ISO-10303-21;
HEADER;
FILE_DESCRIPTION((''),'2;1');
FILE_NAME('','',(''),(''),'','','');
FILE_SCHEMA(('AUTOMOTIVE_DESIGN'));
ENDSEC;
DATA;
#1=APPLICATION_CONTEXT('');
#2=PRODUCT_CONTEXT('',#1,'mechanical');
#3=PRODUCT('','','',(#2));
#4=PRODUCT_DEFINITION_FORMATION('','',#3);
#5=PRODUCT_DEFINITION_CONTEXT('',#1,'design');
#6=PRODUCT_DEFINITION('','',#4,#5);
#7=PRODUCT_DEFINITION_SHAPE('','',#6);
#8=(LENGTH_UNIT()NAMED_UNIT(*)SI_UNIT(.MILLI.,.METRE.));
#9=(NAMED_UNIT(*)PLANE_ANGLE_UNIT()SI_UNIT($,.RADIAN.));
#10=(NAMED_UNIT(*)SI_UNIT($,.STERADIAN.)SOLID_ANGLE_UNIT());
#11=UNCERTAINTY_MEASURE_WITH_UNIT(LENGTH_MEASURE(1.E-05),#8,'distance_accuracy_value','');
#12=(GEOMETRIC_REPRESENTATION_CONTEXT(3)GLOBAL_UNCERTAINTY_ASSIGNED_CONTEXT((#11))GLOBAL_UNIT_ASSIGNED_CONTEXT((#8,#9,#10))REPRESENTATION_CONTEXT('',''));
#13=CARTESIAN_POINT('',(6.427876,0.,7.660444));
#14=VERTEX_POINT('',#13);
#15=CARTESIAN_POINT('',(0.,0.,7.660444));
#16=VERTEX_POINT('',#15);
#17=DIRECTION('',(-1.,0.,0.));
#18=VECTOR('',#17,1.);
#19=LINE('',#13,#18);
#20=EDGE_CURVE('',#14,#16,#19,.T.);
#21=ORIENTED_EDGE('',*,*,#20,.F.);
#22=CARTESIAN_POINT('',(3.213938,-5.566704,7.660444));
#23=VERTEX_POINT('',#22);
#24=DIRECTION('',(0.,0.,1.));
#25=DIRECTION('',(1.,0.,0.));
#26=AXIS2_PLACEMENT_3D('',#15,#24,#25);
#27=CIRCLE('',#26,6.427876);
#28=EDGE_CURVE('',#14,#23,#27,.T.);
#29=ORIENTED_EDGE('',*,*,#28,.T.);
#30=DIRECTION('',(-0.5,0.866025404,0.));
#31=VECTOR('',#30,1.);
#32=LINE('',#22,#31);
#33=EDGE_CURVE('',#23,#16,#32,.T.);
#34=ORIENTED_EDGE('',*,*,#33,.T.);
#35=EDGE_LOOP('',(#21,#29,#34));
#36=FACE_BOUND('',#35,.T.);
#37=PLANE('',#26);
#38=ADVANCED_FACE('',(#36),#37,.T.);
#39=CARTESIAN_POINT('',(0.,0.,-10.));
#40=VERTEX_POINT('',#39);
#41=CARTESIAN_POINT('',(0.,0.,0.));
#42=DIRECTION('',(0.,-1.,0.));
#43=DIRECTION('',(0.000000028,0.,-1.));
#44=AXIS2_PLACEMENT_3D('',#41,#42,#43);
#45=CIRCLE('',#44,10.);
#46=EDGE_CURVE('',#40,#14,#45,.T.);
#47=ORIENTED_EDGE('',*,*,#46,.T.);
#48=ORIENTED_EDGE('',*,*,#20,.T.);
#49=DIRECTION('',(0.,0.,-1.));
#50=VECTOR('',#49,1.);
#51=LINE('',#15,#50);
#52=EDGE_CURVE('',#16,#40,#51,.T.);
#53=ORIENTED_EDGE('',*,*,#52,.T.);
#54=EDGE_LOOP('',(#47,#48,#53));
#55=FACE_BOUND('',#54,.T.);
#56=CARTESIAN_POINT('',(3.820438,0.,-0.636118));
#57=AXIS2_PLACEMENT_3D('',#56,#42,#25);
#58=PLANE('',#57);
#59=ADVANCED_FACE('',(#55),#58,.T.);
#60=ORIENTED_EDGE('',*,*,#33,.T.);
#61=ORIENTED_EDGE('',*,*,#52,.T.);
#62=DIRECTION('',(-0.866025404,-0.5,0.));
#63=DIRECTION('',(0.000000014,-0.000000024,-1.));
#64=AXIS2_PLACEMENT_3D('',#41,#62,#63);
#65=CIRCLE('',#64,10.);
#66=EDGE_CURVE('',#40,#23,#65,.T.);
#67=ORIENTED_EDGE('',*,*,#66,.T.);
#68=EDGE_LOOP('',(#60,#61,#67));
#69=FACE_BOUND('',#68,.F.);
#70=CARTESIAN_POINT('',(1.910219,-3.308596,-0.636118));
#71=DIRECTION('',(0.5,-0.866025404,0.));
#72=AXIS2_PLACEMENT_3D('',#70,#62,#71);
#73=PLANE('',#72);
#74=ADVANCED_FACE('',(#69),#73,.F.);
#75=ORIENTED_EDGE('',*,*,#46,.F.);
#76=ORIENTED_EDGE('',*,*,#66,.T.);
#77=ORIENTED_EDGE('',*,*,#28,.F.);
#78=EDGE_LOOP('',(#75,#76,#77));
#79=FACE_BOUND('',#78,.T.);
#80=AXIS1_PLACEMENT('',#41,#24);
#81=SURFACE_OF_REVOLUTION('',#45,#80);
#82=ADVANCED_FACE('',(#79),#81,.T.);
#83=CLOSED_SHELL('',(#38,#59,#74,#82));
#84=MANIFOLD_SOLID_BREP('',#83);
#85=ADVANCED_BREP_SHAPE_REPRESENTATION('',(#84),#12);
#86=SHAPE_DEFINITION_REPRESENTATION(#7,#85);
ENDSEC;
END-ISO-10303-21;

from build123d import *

# Parameters (mm, degrees)
SPHERE_ANGLE = 300


with BuildPart() as part:
    # Sphere → Sphere (revolve)
    with BuildSketch(Plane.XZ):
        with BuildLine():
            ThreePointArc((0, -10), (9.396926, -3.420201), (6.427876, 7.660444))
            Line((6.427876, 7.660444), (0, 7.660444))
            Line((0, 7.660444), (0, -10))
        make_face()
    revolve(axis=Axis((0, 0, 0), (0, 0, 1)), revolution_arc=SPHERE_ANGLE)


solid = part.part
